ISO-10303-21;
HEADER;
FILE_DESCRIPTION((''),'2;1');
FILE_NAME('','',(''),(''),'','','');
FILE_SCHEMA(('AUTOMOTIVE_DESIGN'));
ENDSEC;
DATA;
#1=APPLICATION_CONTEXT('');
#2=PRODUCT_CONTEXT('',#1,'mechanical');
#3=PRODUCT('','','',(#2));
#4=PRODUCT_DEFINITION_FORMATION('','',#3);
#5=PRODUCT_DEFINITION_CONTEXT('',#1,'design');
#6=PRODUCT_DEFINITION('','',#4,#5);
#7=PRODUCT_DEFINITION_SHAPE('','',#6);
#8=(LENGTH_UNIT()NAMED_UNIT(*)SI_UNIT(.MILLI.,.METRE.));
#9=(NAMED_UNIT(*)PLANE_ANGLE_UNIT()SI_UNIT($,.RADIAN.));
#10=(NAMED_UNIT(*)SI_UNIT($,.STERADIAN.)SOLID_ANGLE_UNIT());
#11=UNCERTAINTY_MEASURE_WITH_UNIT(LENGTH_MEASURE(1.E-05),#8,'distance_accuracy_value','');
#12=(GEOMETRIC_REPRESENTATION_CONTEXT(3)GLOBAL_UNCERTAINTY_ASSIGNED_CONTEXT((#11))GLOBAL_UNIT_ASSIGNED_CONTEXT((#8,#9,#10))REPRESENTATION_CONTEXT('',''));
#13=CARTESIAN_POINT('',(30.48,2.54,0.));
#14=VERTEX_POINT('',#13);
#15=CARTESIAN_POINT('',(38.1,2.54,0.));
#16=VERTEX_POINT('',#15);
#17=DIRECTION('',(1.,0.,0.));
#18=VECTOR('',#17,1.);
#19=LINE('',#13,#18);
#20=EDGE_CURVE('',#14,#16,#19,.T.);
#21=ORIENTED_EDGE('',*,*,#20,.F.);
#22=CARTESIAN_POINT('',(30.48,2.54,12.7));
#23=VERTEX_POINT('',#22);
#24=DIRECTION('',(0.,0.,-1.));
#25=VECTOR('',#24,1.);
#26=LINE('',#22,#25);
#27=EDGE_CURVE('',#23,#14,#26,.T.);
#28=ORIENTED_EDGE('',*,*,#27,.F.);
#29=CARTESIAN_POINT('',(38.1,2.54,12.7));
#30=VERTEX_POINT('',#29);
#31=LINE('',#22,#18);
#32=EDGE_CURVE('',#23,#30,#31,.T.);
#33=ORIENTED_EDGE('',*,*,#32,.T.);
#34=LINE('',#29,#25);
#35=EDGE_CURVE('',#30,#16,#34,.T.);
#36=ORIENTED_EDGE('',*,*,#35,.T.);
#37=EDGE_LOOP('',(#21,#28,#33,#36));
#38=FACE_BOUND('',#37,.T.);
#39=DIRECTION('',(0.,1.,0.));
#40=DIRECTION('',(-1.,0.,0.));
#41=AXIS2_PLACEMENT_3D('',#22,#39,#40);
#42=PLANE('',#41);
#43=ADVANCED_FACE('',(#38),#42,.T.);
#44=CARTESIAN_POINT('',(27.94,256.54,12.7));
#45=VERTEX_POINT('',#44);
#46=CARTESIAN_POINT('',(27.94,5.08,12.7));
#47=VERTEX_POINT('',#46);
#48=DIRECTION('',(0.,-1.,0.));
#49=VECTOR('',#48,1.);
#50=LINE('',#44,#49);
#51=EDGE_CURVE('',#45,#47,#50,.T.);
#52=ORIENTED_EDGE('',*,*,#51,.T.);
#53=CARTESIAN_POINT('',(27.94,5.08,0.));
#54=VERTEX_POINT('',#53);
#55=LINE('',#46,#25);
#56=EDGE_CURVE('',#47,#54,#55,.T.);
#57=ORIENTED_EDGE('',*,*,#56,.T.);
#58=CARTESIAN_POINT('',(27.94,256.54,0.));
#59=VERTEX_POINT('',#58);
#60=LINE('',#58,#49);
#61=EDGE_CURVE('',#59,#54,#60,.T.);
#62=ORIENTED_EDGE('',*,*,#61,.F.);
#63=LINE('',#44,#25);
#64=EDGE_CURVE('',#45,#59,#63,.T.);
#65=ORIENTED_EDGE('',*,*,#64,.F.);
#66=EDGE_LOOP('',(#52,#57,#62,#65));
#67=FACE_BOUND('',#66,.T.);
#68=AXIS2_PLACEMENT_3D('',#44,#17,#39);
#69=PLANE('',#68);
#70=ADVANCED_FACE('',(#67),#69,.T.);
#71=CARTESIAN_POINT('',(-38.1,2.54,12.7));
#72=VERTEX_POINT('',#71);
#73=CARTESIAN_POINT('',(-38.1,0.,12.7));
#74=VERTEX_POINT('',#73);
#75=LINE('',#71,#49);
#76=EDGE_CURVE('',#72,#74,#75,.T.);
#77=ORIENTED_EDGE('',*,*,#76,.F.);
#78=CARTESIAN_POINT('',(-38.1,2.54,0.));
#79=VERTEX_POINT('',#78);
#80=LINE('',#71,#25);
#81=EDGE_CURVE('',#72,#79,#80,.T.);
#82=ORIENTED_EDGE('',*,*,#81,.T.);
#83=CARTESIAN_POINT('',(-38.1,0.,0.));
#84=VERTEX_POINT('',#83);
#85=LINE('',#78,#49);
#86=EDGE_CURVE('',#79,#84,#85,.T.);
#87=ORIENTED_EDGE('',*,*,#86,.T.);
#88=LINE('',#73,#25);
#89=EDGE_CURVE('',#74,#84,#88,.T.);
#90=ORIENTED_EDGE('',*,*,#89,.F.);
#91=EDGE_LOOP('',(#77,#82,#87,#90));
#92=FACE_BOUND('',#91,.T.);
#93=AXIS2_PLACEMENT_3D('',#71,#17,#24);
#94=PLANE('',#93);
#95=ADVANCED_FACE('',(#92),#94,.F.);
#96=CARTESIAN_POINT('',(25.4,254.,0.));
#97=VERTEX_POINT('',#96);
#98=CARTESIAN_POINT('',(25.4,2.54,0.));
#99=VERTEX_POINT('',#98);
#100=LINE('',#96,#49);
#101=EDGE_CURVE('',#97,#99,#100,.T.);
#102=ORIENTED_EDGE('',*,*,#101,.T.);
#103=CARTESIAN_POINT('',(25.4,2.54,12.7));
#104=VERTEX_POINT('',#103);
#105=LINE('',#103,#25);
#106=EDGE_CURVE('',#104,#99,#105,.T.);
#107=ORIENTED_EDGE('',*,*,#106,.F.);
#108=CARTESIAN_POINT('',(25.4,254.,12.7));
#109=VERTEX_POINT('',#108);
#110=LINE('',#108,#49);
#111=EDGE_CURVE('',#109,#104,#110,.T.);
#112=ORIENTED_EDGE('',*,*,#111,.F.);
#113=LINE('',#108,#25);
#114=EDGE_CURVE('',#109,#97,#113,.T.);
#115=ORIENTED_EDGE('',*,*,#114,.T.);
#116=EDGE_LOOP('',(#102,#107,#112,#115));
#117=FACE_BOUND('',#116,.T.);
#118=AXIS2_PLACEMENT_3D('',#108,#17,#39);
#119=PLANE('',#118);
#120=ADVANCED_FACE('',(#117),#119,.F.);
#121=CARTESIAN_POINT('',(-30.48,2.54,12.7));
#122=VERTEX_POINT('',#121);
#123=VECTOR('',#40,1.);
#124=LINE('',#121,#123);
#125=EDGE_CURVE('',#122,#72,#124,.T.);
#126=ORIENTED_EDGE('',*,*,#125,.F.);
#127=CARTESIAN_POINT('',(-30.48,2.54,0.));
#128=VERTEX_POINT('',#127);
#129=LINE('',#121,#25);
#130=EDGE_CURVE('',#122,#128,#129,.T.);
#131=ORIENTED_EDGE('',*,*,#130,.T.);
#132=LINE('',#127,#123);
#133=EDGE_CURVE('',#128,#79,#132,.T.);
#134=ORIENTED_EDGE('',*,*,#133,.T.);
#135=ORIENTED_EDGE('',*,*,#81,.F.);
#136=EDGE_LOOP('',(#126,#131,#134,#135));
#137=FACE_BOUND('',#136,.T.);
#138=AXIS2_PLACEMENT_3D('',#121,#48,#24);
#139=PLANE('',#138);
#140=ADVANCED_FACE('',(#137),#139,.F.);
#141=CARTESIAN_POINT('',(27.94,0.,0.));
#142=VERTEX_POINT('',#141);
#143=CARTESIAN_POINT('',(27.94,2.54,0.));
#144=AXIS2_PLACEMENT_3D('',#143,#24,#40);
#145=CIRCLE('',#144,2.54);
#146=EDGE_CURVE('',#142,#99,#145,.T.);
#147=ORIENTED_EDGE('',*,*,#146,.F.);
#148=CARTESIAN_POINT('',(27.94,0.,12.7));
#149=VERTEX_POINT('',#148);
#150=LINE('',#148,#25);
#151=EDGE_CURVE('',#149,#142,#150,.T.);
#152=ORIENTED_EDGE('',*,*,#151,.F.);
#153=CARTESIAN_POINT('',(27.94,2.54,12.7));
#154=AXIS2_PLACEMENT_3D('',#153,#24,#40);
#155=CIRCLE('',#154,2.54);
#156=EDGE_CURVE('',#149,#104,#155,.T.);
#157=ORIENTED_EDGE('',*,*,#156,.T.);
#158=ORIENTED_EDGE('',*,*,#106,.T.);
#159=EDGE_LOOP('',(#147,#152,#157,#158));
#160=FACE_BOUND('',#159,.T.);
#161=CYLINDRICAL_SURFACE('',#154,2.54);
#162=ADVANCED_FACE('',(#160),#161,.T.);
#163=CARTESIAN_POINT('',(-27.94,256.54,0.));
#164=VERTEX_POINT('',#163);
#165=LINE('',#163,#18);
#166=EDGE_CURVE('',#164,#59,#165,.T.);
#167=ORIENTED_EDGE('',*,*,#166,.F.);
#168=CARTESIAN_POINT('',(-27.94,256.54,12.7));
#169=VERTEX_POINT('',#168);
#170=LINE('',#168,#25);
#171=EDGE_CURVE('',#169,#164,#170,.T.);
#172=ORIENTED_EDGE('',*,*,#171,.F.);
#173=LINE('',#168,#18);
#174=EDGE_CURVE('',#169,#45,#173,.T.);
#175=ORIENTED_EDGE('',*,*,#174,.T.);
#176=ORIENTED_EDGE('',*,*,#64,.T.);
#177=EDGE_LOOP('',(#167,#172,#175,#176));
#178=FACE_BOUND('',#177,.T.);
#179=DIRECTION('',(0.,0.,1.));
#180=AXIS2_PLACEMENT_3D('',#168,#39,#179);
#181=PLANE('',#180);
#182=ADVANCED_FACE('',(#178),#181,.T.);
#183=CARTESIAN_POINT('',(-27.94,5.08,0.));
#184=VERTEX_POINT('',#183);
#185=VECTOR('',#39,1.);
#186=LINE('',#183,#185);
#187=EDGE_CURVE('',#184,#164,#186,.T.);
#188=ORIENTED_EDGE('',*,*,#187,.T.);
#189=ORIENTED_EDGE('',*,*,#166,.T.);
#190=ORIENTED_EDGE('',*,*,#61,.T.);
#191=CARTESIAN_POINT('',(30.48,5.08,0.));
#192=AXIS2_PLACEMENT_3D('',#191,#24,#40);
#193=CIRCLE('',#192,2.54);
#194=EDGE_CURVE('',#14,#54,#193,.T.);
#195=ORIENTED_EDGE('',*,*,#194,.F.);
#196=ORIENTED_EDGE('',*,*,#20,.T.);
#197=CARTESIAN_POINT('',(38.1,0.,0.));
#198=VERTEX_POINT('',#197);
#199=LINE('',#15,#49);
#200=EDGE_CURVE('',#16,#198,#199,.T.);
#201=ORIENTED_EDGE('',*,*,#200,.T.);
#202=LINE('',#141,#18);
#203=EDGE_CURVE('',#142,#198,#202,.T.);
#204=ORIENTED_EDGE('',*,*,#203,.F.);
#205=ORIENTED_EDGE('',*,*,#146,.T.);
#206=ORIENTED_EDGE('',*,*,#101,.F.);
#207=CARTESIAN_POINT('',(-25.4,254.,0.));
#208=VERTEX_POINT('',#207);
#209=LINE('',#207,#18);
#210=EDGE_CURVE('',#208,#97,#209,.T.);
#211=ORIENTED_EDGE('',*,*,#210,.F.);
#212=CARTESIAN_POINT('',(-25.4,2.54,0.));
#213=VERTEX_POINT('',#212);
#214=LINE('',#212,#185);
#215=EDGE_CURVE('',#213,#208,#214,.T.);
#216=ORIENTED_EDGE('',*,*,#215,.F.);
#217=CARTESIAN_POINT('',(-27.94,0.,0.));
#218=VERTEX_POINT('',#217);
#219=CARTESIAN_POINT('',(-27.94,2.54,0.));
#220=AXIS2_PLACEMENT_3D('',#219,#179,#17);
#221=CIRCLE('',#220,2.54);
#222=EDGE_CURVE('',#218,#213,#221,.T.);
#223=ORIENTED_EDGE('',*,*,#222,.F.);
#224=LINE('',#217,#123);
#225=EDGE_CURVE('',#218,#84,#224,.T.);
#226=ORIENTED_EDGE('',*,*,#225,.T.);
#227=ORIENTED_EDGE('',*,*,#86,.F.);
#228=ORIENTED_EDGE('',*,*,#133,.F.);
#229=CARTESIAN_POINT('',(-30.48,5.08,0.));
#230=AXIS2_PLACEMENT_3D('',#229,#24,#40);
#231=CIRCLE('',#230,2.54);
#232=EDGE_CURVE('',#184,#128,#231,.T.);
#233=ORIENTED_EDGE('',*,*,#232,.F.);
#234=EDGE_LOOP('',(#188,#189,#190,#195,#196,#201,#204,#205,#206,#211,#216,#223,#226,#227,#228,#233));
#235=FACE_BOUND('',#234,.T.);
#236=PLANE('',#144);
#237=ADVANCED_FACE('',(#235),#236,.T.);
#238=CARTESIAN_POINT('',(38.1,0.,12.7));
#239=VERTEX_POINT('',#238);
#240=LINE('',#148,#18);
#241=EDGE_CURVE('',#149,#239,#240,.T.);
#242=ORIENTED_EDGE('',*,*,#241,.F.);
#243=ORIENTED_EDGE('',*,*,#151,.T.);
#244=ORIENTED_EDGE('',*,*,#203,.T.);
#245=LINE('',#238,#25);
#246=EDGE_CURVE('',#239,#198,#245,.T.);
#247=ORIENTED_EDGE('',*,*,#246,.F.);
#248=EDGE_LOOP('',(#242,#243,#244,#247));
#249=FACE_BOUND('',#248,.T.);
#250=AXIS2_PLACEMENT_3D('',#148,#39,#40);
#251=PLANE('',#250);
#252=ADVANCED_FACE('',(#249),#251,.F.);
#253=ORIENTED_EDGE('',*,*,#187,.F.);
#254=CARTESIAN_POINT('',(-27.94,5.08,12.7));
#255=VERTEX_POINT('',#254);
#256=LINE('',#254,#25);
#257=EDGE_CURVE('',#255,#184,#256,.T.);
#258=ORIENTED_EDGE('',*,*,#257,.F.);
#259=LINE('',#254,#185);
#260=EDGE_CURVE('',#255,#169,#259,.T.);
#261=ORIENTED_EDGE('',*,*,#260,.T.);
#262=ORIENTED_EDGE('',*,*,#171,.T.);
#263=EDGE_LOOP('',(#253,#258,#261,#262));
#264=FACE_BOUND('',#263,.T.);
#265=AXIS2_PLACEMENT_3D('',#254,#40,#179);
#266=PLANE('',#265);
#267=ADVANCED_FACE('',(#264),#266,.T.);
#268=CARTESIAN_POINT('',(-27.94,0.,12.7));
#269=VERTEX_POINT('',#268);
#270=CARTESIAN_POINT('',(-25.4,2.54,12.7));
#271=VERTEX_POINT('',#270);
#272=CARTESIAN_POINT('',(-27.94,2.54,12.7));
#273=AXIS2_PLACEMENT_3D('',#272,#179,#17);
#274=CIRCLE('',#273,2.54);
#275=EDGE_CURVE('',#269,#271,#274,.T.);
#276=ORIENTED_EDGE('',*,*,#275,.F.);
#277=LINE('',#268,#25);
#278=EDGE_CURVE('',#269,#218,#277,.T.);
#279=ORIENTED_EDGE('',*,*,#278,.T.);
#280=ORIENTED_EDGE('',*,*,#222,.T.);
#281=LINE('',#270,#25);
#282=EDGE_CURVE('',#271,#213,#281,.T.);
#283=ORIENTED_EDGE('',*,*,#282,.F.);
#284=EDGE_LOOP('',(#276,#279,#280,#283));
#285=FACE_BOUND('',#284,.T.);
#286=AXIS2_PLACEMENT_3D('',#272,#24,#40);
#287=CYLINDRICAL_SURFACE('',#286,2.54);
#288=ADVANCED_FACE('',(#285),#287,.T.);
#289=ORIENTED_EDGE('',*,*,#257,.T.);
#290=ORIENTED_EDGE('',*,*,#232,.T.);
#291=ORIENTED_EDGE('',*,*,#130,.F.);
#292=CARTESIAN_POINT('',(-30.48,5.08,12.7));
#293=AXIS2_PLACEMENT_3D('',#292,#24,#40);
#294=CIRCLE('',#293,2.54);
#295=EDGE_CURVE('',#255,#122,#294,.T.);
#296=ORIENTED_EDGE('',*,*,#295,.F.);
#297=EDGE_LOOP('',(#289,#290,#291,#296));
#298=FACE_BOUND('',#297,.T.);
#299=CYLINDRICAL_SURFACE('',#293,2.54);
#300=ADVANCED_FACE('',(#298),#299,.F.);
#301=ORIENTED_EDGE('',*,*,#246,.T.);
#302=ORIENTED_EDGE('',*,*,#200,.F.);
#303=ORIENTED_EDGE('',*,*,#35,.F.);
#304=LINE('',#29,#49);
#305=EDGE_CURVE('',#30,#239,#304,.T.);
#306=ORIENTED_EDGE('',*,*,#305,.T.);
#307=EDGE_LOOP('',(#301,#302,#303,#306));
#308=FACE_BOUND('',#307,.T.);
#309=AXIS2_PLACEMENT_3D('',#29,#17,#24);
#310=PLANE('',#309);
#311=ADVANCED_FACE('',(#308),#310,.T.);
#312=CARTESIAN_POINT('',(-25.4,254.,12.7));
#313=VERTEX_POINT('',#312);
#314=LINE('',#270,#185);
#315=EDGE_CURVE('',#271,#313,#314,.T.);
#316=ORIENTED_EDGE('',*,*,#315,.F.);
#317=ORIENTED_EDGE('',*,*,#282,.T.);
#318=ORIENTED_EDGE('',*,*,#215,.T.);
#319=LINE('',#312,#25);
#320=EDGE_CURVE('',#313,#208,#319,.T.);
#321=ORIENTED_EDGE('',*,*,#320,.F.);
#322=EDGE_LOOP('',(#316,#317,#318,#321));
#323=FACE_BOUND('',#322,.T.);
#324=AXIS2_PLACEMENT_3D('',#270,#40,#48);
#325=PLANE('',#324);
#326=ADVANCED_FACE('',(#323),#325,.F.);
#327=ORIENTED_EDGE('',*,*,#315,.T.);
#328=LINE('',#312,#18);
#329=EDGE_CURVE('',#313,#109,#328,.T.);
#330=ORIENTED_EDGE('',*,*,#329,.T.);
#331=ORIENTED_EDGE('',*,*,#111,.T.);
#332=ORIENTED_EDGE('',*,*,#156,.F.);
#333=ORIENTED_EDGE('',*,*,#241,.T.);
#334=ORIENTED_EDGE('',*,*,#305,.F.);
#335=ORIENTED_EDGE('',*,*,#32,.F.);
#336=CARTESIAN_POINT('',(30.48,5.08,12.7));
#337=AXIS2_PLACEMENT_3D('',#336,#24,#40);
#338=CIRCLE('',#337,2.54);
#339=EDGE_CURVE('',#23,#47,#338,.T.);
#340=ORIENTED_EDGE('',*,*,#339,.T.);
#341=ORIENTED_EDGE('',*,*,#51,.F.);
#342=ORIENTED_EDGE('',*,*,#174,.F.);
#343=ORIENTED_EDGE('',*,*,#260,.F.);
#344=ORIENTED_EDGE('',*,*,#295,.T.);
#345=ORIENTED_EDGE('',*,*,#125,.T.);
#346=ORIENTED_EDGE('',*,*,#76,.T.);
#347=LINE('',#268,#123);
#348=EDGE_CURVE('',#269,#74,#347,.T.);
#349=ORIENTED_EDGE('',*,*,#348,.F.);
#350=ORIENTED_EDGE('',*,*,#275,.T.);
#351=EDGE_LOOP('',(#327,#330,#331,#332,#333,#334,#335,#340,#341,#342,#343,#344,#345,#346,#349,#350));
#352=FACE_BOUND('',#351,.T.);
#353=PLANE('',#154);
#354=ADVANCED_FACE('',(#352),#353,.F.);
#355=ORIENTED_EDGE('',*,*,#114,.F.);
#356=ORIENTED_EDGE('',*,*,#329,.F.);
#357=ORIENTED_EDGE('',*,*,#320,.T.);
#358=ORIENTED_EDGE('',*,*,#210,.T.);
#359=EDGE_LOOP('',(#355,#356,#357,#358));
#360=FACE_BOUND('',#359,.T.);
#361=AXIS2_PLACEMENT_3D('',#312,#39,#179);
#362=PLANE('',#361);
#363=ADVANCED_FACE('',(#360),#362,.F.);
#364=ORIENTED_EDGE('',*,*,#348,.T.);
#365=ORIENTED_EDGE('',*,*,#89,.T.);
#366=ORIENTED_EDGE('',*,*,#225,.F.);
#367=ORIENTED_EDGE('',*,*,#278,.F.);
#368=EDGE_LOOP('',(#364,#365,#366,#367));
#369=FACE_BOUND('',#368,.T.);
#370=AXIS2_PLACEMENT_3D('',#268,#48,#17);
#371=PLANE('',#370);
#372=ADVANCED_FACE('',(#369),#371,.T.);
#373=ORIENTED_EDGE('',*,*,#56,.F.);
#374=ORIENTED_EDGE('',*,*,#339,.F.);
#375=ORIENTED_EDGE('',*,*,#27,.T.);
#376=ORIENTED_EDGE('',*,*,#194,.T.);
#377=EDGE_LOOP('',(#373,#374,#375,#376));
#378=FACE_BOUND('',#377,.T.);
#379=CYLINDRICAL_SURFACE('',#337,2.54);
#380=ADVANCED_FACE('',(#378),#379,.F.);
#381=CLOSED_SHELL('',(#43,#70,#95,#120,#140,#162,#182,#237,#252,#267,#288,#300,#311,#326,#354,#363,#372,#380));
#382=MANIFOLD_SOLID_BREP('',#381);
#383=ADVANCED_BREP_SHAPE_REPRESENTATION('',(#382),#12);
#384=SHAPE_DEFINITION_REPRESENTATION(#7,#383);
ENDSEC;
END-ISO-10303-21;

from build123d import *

# Parameters (mm, degrees)
BOSS_EXTRUDE1_DEPTH = 12.7


with BuildPart() as part:
    # Sketch1 → Boss-Extrude1 (new body)
    with BuildSketch(Plane.XY):
        with BuildLine():
            Line((-25.4, 2.54), (-25.4, 254))
            Line((-25.4, 254), (25.4, 254))
            Line((25.4, 254), (25.4, 2.54))
            ThreePointArc((25.4, 2.54), (26.143948776, 0.743948776), (27.94, 0))
            Line((27.94, 0), (38.1, 0))
            Line((38.1, 0), (38.1, 2.54))
            Line((38.1, 2.54), (30.48, 2.54))
            ThreePointArc((30.48, 2.54), (28.683948776, 3.283948776), (27.94, 5.08))
            Line((27.94, 5.08), (27.94, 256.54))
            Line((27.94, 256.54), (-27.94, 256.54))
            Line((-27.94, 256.54), (-27.94, 5.08))
            ThreePointArc((-27.94, 5.08), (-28.683948776, 3.283948776), (-30.48, 2.54))
            Line((-30.48, 2.54), (-38.1, 2.54))
            Line((-38.1, 2.54), (-38.1, 0))
            Line((-38.1, 0), (-27.94, 0))
            ThreePointArc((-27.94, 0), (-26.143948776, 0.743948776), (-25.4, 2.54))
        make_face()
    extrude(amount=BOSS_EXTRUDE1_DEPTH)


solid = part.part
